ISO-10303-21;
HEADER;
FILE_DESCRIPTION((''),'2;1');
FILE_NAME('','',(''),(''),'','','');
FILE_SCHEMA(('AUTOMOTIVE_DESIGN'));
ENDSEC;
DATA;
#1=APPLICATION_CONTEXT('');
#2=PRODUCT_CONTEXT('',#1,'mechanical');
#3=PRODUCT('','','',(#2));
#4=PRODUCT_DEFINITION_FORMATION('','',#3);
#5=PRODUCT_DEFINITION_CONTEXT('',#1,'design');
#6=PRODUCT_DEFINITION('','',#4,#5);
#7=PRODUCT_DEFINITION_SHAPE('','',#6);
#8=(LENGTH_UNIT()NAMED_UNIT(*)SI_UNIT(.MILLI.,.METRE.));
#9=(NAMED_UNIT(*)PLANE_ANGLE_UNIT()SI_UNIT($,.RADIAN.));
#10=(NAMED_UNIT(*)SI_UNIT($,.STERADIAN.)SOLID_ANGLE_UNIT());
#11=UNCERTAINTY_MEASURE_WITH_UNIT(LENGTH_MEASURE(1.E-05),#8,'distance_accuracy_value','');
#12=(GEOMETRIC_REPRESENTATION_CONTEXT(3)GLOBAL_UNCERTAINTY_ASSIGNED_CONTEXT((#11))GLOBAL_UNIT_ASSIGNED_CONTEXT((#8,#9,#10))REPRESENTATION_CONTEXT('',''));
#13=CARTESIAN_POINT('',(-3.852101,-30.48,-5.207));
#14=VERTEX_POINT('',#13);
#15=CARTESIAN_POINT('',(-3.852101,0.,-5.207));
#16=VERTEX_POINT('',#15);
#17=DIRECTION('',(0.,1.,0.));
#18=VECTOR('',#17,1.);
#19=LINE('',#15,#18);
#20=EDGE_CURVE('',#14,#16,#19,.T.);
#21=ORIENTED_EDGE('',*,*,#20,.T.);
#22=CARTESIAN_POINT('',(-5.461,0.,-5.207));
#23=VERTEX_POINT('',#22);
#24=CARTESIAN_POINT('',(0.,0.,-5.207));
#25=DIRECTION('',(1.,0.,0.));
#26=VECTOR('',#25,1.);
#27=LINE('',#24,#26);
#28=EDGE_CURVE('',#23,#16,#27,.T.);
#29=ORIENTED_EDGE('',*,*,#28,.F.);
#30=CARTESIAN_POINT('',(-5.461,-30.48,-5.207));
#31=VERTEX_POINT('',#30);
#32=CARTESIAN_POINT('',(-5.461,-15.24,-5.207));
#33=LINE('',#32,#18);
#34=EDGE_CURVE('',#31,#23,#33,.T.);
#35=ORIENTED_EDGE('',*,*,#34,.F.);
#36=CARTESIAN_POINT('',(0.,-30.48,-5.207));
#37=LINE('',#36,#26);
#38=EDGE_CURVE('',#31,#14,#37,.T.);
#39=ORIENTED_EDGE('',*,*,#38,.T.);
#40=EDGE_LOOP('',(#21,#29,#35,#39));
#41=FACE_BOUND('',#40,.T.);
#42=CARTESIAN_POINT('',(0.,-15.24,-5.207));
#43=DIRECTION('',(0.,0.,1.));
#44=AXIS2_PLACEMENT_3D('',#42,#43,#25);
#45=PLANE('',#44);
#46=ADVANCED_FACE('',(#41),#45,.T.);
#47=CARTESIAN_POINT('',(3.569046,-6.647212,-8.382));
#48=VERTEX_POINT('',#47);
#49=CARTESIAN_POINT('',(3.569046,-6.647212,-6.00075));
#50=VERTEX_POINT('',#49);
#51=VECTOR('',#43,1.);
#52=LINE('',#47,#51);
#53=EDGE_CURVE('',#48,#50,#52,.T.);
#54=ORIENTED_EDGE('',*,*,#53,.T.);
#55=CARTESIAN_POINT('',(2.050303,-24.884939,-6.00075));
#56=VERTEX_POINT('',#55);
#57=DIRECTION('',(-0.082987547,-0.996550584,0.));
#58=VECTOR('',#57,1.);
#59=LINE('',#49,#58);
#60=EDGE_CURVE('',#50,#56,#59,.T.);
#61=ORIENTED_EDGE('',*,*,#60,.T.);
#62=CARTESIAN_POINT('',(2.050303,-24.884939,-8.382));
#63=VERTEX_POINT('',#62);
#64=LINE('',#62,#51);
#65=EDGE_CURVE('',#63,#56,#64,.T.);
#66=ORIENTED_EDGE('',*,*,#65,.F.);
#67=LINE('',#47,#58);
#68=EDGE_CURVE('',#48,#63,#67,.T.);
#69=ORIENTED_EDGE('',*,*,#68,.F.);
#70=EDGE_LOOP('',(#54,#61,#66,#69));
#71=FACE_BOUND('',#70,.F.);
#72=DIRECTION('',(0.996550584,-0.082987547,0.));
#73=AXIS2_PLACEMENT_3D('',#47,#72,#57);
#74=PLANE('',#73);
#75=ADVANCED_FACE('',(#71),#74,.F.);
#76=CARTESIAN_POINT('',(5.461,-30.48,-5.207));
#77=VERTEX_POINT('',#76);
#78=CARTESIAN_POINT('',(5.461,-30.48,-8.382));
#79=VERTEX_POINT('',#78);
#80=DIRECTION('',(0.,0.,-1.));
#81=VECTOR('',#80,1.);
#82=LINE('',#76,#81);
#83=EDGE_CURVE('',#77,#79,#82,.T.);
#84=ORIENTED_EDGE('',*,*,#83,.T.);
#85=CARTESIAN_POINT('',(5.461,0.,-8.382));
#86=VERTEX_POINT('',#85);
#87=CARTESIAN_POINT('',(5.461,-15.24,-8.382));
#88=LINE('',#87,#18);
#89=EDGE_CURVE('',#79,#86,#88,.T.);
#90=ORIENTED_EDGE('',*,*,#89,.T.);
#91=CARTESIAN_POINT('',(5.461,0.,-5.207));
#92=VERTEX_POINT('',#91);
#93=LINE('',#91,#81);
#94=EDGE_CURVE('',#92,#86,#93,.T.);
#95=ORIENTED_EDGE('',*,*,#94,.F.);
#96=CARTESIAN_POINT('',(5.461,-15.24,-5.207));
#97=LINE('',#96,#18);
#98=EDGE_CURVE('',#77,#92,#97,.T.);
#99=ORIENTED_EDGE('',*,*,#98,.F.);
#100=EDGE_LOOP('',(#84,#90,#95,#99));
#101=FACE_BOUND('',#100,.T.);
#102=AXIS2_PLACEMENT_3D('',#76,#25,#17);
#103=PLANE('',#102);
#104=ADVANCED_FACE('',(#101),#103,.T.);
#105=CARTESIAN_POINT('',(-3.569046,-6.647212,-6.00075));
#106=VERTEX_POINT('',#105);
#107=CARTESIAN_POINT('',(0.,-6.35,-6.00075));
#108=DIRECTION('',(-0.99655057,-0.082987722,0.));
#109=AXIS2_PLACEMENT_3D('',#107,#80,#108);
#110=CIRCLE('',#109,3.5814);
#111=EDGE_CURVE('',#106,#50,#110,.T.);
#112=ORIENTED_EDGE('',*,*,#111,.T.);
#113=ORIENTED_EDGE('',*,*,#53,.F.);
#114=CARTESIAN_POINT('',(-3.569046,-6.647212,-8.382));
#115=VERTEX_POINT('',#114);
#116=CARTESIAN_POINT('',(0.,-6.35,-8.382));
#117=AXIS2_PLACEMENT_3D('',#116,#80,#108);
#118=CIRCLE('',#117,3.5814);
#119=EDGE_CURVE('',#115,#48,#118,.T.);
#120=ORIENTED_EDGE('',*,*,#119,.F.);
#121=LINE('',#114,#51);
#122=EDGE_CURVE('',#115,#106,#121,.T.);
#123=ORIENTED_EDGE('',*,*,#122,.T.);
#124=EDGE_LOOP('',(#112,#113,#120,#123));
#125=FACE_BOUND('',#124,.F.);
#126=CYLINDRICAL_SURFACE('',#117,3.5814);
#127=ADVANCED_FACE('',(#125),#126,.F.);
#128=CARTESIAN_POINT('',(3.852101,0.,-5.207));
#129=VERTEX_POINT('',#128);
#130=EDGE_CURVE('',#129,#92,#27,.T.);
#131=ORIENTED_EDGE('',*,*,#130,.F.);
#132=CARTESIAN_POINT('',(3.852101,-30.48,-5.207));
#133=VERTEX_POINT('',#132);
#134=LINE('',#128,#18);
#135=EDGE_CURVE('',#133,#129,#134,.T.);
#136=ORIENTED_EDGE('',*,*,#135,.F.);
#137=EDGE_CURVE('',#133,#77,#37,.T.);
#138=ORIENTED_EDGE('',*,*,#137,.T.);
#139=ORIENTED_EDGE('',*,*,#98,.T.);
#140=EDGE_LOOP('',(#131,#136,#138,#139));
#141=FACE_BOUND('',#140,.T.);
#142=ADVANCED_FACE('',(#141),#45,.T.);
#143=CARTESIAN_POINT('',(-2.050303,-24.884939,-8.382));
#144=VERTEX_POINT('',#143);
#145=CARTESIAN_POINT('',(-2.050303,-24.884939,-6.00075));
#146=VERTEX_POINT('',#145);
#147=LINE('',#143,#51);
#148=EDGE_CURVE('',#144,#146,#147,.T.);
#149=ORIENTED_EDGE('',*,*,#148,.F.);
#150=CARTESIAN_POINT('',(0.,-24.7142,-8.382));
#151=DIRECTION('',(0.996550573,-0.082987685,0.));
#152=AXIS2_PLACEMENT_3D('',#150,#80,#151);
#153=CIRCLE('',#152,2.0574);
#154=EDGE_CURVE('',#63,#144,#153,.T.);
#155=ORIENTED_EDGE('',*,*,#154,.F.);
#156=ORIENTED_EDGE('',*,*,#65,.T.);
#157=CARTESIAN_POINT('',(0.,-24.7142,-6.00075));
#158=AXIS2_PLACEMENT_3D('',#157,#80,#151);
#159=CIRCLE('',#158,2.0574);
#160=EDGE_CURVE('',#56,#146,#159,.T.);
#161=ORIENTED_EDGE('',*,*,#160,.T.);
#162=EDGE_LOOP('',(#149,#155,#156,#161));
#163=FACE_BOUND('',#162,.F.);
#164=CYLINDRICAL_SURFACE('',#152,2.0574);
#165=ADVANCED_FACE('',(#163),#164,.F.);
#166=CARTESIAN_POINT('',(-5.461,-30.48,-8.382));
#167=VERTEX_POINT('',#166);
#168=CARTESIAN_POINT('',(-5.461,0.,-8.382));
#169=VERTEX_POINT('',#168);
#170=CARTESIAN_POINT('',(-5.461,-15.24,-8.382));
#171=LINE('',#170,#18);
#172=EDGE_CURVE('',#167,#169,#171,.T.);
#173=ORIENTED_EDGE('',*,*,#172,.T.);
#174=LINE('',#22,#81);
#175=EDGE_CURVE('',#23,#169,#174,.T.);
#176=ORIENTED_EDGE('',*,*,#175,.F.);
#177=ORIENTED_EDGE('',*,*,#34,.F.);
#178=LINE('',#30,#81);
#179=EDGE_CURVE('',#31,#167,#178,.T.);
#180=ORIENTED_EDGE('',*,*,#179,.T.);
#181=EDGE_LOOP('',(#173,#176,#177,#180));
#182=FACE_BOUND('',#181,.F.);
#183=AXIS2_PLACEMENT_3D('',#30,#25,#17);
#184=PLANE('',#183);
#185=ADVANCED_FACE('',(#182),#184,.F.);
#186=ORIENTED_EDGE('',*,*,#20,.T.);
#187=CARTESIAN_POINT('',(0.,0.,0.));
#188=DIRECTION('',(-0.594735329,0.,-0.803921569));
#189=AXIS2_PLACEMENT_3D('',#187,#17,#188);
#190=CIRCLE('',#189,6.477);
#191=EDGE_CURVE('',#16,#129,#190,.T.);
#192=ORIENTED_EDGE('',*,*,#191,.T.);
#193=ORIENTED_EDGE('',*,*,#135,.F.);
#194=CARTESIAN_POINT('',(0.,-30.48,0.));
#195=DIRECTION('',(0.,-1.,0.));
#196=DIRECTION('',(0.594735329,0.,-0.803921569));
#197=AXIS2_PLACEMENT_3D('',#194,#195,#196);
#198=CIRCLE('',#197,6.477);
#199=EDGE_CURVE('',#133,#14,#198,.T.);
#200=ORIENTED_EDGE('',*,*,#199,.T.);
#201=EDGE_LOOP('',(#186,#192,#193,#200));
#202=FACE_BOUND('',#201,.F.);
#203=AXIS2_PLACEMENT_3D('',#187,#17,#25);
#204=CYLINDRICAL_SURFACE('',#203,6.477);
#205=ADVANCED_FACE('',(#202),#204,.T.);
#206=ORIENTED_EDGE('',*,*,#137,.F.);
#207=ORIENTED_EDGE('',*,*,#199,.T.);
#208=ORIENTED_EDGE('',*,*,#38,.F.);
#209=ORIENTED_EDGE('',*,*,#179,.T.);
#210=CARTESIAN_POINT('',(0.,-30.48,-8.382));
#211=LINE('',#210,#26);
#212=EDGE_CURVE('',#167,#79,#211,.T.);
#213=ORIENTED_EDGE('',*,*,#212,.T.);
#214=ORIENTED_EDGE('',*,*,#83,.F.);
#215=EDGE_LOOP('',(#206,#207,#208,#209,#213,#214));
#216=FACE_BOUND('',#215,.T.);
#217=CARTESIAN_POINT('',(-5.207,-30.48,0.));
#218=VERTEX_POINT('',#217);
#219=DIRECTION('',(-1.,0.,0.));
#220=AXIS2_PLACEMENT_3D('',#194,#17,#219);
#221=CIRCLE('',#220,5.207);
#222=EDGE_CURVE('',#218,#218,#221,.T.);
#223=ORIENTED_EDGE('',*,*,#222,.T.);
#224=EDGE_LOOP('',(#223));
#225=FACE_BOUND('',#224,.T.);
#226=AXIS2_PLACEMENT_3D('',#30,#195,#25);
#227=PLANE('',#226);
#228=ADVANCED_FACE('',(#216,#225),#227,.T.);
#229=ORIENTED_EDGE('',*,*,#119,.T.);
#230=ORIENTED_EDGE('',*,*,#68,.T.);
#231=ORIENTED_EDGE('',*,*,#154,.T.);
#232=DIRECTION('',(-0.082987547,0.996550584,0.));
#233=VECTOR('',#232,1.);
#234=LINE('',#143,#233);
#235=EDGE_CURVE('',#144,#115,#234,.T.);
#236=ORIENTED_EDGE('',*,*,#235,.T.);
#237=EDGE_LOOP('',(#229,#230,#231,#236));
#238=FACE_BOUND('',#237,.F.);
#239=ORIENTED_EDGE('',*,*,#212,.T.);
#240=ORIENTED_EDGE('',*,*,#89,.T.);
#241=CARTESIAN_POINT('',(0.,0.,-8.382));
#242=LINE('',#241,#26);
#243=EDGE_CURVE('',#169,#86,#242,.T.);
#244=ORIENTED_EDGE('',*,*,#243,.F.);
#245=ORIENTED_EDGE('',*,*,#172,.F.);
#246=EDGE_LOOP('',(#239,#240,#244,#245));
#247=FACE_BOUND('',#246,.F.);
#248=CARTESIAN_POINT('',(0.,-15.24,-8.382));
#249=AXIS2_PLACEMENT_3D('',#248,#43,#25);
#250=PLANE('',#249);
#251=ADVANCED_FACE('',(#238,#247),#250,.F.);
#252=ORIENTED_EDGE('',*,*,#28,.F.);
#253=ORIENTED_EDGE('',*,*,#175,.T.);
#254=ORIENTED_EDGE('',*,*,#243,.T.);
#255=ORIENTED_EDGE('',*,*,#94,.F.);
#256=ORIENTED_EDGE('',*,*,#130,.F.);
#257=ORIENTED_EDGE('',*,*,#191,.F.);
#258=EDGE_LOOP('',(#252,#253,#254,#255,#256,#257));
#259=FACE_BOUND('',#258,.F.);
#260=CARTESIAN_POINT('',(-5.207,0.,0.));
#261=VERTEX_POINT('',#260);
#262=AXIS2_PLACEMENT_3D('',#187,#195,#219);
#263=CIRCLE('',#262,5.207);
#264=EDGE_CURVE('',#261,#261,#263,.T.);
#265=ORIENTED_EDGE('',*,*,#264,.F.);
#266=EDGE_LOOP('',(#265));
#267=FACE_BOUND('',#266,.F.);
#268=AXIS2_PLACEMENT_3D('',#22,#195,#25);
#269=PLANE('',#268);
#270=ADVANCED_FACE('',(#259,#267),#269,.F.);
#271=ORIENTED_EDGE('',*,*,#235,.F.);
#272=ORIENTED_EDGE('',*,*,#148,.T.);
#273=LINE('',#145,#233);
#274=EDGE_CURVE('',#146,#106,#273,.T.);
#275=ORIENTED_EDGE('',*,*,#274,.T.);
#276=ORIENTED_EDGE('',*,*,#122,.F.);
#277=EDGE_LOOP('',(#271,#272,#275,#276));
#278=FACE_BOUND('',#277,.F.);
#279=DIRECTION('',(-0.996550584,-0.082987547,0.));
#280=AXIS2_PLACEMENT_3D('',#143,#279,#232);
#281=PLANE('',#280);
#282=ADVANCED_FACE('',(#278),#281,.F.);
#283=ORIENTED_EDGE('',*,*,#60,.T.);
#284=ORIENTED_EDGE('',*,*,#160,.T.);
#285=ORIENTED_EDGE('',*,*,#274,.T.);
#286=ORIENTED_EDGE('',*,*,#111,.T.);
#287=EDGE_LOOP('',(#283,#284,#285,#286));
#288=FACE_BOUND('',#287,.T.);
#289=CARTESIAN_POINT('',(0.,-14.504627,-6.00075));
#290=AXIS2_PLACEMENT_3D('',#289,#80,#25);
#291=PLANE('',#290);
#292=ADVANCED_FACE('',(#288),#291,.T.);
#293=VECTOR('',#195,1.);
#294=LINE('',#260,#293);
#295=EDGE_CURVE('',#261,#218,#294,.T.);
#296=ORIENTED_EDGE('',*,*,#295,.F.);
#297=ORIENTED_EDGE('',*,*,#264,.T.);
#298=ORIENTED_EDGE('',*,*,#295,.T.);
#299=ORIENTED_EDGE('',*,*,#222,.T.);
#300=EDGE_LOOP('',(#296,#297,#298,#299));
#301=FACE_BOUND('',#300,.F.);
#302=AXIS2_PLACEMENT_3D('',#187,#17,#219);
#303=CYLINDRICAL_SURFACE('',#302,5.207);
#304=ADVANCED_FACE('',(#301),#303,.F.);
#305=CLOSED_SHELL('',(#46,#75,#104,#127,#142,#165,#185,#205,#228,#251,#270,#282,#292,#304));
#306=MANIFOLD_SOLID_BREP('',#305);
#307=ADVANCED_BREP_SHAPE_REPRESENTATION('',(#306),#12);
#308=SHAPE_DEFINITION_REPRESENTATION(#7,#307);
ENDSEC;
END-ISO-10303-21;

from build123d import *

# Parameters (mm, degrees)
F0_R     = 6.477
F1_DEPTH = 30.48
F2_R     = 5.207
F3_DEPTH = 30.48
F5_W     = 10.922
F5_H     = 30.48
F6_DEPTH = 3.175
F7_R     = 1.27
F8_DEPTH = 2.38125


with BuildPart() as f1:
    # F0 (on Front) → F1 (new body)
    with BuildSketch(Plane.XZ):
        Circle(F0_R)
    extrude(amount=F1_DEPTH)

    # F2 (on face) → F3 (cut, through all)
    with BuildSketch(Plane(origin=(0, 0, 0), x_dir=(-1, 0, 0), z_dir=(0, 1, 0))):
        Circle(F2_R)
    extrude(amount=-F3_DEPTH, mode=Mode.SUBTRACT)

    # F5 (on offset) → F6 (join)
    with BuildSketch(Plane.XY.offset(-5.207)):
        with Locations((0, -15.24)):
            Rectangle(F5_W, F5_H)
    extrude(amount=-F6_DEPTH)

    # F7 (on face) → F8 (cut)
    with BuildSketch(Plane(origin=(0, 0, -8.382), x_dir=(1, 0, 0), z_dir=(0, 0, -1))):
        with BuildLine():
            Line((3.569046, 6.647212), (2.050303, 24.884939))
            ThreePointArc((2.050303, 24.884939), (0, 26.7716), (-2.050303, 24.884939))
            Line((-2.050303, 24.884939), (-3.569046, 6.647212))
            ThreePointArc((-3.569046, 6.647212), (0, 2.7686), (3.569046, 6.647212))
        make_face()
        with Locations((0, 6.35)):
            Circle(F7_R, mode=Mode.SUBTRACT)
        with Locations((0, 6.35)):
            Circle(F7_R)
    extrude(amount=-F8_DEPTH, mode=Mode.SUBTRACT)


solid = f1.part
